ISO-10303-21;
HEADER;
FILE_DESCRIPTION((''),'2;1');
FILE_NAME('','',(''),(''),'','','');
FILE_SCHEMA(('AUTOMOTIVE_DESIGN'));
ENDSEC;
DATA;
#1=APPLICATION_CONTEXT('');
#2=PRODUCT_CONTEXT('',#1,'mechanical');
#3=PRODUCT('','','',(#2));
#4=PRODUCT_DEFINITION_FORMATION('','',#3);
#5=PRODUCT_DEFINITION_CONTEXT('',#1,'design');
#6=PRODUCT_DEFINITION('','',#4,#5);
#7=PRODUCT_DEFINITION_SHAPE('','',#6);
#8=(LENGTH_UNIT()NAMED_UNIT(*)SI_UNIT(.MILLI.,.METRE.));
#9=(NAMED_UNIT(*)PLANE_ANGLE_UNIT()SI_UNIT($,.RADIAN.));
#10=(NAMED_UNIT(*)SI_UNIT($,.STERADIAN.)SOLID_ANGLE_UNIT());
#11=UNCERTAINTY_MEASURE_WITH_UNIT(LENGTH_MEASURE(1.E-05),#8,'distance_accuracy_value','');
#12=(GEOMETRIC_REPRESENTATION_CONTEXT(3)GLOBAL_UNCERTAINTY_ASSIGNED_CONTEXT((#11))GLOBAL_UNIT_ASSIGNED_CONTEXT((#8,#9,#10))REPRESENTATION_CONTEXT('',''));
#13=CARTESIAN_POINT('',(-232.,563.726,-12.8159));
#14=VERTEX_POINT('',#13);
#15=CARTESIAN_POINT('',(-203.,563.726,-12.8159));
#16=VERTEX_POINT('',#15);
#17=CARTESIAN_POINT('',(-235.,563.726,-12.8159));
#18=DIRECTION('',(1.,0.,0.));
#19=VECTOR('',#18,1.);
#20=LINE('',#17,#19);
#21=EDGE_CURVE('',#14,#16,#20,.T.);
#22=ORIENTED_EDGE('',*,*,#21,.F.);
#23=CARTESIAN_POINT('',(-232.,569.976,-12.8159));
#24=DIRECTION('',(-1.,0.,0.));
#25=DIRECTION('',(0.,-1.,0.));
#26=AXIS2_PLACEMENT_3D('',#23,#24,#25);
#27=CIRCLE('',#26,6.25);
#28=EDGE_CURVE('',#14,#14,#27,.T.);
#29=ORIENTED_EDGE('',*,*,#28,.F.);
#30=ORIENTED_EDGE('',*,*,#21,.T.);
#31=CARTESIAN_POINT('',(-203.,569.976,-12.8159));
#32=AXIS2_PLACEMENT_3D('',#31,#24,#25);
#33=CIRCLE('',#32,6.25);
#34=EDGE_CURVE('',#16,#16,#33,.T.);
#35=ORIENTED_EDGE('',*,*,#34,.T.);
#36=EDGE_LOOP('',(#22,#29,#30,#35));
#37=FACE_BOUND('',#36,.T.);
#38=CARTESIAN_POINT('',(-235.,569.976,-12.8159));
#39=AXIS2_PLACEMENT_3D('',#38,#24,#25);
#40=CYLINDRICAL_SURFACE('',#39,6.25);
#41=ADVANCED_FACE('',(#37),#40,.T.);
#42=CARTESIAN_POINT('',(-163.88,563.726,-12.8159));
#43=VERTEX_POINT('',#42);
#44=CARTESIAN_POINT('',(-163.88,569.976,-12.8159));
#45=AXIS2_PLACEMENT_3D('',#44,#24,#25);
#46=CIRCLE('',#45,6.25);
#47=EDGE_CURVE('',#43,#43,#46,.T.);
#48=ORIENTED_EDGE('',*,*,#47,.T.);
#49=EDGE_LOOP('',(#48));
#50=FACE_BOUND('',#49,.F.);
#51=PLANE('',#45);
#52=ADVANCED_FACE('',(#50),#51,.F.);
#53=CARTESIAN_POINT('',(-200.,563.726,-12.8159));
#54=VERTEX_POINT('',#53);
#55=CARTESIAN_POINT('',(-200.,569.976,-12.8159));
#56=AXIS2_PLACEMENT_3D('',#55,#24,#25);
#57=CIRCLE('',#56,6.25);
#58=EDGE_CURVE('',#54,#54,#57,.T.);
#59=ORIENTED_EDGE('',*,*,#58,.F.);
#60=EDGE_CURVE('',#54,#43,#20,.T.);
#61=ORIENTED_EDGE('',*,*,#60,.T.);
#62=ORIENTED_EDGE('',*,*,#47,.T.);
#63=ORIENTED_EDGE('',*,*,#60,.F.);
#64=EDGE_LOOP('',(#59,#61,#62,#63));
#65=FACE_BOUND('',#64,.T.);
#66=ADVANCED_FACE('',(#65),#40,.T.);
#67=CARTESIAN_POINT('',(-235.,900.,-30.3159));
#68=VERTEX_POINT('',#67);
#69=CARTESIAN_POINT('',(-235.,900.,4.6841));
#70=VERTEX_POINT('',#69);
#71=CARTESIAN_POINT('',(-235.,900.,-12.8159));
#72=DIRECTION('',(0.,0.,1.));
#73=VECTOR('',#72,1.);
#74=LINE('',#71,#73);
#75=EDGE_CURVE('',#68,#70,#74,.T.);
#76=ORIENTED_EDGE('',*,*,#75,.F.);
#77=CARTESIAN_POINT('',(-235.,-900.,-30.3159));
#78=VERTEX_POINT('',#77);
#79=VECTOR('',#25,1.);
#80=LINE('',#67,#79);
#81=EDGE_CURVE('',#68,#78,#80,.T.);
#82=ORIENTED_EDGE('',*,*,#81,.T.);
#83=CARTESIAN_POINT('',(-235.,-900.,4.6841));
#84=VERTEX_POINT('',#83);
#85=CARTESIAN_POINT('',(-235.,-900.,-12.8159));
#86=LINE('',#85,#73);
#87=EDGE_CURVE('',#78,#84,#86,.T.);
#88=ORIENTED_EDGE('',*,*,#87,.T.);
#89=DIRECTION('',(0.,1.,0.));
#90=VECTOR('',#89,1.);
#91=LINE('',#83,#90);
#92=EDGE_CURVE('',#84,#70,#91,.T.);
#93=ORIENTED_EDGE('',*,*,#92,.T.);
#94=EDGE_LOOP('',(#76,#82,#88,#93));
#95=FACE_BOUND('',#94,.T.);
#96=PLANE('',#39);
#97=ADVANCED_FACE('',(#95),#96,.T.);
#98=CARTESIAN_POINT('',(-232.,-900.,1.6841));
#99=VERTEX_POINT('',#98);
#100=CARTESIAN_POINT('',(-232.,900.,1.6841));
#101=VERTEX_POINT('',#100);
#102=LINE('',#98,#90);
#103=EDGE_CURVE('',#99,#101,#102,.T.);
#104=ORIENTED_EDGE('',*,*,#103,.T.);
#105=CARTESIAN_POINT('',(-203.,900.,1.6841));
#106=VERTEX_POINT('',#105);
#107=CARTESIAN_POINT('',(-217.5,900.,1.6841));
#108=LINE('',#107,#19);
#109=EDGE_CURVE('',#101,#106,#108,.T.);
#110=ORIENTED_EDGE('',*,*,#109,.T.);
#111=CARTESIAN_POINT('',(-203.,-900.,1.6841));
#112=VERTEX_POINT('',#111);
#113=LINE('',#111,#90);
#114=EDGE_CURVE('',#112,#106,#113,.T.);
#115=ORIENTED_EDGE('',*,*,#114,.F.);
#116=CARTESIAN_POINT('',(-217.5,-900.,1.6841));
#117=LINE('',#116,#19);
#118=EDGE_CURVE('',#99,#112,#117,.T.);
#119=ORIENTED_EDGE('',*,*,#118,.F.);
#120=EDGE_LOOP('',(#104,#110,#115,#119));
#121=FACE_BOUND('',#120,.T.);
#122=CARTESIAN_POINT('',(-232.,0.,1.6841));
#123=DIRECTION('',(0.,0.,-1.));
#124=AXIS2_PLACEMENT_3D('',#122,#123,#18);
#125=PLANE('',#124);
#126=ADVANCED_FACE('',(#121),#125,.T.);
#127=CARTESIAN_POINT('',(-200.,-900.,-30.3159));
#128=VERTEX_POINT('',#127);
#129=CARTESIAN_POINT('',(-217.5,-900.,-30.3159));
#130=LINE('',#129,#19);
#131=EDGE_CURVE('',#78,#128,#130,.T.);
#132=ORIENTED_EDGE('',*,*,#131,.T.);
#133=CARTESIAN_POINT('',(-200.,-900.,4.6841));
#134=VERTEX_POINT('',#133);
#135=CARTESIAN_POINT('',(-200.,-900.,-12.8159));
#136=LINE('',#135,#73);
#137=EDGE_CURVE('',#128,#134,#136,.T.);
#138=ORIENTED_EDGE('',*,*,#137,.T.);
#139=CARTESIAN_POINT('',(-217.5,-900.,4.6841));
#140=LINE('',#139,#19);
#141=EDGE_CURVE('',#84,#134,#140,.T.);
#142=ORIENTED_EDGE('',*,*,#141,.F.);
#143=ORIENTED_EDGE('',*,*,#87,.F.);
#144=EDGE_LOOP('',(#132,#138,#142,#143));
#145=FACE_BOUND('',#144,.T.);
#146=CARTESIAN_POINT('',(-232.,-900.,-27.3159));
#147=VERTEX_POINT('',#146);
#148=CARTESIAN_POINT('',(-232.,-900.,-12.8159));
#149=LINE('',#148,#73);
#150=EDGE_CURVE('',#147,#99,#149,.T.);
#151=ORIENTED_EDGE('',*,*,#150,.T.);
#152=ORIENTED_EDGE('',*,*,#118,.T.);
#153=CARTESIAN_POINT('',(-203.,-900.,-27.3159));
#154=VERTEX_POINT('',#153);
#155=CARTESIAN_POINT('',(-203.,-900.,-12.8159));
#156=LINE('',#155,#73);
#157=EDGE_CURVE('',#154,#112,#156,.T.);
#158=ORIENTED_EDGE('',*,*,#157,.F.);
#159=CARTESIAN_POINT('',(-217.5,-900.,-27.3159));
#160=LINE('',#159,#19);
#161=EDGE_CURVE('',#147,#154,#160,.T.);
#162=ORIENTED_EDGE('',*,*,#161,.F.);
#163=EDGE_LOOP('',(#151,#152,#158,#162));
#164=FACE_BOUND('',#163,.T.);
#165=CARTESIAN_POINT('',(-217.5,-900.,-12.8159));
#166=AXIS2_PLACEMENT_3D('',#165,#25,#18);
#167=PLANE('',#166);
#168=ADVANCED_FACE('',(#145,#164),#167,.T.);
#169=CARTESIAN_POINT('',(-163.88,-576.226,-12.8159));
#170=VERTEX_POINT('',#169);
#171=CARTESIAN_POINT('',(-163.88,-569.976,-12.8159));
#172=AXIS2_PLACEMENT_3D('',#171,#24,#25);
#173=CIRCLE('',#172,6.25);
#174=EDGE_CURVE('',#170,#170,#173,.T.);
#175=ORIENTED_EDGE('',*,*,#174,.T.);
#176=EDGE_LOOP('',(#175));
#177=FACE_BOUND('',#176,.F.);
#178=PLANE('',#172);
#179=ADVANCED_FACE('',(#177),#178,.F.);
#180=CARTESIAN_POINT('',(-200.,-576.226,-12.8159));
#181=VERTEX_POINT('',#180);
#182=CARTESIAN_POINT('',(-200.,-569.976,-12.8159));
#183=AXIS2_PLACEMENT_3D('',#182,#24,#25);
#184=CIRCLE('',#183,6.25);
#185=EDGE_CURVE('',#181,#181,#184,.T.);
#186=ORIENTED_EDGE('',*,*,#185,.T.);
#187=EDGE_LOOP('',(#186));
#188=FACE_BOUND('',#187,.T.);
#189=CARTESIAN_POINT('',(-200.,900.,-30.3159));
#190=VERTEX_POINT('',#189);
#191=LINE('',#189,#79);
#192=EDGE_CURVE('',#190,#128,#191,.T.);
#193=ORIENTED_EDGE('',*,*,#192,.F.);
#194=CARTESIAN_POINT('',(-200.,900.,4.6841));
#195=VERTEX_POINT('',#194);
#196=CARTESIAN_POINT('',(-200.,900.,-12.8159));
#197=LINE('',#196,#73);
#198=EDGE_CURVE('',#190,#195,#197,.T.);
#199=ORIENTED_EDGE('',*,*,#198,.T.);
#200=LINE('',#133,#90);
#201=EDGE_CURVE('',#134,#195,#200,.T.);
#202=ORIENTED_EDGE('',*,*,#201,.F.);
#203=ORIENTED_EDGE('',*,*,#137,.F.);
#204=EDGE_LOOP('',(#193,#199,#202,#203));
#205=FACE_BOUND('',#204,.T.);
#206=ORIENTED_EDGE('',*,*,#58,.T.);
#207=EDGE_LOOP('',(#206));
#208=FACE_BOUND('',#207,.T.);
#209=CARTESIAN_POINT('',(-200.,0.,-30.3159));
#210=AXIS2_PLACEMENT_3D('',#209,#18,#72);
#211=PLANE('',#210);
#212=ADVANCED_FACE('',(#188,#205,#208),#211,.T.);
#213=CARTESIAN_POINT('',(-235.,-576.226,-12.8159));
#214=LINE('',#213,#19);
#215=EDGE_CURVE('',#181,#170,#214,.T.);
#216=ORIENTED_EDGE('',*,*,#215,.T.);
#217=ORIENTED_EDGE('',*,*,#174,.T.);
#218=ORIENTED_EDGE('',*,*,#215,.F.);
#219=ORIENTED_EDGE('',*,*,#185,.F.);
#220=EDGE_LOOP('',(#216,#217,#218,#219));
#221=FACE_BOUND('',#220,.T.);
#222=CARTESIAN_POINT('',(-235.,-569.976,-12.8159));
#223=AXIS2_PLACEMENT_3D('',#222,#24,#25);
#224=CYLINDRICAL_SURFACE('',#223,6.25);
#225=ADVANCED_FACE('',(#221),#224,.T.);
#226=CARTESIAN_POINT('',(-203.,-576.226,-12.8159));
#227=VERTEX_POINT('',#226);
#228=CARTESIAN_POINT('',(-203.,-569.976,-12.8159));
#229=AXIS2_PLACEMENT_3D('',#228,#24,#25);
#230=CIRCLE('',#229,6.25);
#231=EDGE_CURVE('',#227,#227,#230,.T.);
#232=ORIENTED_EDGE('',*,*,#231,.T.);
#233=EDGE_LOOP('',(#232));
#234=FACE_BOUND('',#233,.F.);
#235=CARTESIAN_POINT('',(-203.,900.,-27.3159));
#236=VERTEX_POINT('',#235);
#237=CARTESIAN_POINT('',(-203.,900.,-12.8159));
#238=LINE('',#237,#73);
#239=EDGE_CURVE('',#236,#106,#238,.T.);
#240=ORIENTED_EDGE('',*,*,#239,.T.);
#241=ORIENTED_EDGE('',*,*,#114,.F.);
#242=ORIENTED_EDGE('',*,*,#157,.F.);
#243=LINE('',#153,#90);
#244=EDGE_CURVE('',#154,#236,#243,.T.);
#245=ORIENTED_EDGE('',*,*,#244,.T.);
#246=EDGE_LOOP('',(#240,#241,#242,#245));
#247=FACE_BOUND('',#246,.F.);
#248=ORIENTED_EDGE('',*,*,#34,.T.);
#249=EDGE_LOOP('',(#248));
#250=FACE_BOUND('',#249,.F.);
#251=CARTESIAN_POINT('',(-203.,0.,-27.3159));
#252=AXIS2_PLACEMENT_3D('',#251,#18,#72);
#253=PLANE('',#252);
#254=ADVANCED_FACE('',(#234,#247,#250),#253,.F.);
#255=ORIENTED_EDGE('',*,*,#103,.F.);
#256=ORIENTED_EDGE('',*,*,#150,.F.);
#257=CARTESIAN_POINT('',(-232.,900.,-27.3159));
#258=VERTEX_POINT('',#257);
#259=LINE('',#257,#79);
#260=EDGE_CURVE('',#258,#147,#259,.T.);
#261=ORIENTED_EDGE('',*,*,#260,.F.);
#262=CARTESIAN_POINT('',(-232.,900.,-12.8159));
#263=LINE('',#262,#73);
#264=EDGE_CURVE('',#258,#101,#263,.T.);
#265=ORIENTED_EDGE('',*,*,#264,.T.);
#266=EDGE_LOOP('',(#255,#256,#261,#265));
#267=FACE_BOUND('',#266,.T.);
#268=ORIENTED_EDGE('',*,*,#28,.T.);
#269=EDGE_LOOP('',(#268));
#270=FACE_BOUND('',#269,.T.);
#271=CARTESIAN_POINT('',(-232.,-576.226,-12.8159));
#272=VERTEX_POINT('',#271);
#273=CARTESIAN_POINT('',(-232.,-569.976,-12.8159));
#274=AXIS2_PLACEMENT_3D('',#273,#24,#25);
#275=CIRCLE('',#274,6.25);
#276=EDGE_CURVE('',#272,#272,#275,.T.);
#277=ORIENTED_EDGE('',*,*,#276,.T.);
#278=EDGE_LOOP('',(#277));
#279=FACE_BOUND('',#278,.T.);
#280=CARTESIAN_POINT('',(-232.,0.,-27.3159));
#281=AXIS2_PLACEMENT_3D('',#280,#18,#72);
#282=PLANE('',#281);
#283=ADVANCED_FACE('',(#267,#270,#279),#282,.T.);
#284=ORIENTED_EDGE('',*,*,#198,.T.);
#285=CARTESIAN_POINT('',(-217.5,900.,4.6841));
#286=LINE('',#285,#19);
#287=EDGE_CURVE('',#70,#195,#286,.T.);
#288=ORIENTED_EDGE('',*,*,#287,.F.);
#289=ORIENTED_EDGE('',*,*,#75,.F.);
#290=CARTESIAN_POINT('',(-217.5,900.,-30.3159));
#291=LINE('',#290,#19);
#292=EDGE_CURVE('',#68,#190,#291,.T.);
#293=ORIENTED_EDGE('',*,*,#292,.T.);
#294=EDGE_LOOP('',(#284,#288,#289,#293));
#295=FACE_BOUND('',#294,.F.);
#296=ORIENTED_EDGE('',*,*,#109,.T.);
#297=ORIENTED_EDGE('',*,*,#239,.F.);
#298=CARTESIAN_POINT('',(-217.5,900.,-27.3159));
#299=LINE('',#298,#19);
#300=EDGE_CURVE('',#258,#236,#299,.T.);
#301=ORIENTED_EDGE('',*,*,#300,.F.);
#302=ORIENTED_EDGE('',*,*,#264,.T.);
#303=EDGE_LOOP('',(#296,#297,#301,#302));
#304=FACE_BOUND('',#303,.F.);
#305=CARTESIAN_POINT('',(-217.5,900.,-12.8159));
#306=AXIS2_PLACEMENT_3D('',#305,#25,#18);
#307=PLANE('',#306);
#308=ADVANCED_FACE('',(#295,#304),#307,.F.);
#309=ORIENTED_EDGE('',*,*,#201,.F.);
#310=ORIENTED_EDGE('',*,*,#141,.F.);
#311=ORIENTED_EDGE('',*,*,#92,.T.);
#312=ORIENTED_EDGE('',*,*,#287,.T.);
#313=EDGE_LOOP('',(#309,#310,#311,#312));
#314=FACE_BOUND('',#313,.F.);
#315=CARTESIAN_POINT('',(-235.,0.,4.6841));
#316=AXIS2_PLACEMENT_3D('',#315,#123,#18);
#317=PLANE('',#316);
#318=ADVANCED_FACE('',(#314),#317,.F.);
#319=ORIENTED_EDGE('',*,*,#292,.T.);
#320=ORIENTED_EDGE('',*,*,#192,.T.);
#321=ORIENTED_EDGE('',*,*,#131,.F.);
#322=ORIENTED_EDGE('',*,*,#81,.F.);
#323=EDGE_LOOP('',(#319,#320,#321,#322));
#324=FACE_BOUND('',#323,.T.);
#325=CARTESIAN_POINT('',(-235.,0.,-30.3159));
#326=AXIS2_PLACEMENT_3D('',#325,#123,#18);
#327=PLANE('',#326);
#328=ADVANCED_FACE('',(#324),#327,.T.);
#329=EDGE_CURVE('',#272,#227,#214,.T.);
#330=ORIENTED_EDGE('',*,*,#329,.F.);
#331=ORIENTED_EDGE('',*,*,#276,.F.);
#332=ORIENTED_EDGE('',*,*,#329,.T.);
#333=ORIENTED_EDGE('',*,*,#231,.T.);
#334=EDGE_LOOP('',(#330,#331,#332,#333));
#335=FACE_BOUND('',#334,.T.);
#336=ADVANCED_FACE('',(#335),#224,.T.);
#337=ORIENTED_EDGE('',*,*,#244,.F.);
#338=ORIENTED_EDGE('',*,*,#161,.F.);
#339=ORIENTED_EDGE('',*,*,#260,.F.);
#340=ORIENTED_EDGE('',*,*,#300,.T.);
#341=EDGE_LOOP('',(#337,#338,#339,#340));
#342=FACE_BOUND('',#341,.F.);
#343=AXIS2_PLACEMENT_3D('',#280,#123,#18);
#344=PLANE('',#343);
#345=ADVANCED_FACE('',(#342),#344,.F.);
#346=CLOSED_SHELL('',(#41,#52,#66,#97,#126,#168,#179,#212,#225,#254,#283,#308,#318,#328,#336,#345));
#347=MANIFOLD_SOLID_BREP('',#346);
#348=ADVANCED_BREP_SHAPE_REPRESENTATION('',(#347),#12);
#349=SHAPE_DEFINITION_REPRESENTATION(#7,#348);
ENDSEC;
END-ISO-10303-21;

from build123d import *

# Parameters (mm, degrees)
F0_W     = 35
F0_H     = 35
F0_W_2   = 29
F0_H_2   = 29
F1_DEPTH = 900
F2_R     = 6.25
F3_DEPTH = 71.12


with BuildPart() as f1:
    # F0 (on Front) → F1 (new body, symmetric)
    with BuildSketch(Plane.XZ):
        with Locations((-217.5, -12.8159002215)):
            Rectangle(F0_W, F0_H)
        with Locations((-217.5, -12.8159002215)):
            Rectangle(F0_W_2, F0_H_2, mode=Mode.SUBTRACT)
    extrude(amount=F1_DEPTH, both=True)

    # F2 (on face) → F3 (join)
    with BuildSketch(Plane(origin=(-235, 0, 0), x_dir=(0, -1, 0), z_dir=(-1, 0, 0))):
        with Locations((-569.976, -12.8159002215)):
            Circle(F2_R)
        with Locations((569.976, -12.8159002215)):
            Circle(F2_R)
    extrude(amount=-F3_DEPTH)


solid = f1.part
